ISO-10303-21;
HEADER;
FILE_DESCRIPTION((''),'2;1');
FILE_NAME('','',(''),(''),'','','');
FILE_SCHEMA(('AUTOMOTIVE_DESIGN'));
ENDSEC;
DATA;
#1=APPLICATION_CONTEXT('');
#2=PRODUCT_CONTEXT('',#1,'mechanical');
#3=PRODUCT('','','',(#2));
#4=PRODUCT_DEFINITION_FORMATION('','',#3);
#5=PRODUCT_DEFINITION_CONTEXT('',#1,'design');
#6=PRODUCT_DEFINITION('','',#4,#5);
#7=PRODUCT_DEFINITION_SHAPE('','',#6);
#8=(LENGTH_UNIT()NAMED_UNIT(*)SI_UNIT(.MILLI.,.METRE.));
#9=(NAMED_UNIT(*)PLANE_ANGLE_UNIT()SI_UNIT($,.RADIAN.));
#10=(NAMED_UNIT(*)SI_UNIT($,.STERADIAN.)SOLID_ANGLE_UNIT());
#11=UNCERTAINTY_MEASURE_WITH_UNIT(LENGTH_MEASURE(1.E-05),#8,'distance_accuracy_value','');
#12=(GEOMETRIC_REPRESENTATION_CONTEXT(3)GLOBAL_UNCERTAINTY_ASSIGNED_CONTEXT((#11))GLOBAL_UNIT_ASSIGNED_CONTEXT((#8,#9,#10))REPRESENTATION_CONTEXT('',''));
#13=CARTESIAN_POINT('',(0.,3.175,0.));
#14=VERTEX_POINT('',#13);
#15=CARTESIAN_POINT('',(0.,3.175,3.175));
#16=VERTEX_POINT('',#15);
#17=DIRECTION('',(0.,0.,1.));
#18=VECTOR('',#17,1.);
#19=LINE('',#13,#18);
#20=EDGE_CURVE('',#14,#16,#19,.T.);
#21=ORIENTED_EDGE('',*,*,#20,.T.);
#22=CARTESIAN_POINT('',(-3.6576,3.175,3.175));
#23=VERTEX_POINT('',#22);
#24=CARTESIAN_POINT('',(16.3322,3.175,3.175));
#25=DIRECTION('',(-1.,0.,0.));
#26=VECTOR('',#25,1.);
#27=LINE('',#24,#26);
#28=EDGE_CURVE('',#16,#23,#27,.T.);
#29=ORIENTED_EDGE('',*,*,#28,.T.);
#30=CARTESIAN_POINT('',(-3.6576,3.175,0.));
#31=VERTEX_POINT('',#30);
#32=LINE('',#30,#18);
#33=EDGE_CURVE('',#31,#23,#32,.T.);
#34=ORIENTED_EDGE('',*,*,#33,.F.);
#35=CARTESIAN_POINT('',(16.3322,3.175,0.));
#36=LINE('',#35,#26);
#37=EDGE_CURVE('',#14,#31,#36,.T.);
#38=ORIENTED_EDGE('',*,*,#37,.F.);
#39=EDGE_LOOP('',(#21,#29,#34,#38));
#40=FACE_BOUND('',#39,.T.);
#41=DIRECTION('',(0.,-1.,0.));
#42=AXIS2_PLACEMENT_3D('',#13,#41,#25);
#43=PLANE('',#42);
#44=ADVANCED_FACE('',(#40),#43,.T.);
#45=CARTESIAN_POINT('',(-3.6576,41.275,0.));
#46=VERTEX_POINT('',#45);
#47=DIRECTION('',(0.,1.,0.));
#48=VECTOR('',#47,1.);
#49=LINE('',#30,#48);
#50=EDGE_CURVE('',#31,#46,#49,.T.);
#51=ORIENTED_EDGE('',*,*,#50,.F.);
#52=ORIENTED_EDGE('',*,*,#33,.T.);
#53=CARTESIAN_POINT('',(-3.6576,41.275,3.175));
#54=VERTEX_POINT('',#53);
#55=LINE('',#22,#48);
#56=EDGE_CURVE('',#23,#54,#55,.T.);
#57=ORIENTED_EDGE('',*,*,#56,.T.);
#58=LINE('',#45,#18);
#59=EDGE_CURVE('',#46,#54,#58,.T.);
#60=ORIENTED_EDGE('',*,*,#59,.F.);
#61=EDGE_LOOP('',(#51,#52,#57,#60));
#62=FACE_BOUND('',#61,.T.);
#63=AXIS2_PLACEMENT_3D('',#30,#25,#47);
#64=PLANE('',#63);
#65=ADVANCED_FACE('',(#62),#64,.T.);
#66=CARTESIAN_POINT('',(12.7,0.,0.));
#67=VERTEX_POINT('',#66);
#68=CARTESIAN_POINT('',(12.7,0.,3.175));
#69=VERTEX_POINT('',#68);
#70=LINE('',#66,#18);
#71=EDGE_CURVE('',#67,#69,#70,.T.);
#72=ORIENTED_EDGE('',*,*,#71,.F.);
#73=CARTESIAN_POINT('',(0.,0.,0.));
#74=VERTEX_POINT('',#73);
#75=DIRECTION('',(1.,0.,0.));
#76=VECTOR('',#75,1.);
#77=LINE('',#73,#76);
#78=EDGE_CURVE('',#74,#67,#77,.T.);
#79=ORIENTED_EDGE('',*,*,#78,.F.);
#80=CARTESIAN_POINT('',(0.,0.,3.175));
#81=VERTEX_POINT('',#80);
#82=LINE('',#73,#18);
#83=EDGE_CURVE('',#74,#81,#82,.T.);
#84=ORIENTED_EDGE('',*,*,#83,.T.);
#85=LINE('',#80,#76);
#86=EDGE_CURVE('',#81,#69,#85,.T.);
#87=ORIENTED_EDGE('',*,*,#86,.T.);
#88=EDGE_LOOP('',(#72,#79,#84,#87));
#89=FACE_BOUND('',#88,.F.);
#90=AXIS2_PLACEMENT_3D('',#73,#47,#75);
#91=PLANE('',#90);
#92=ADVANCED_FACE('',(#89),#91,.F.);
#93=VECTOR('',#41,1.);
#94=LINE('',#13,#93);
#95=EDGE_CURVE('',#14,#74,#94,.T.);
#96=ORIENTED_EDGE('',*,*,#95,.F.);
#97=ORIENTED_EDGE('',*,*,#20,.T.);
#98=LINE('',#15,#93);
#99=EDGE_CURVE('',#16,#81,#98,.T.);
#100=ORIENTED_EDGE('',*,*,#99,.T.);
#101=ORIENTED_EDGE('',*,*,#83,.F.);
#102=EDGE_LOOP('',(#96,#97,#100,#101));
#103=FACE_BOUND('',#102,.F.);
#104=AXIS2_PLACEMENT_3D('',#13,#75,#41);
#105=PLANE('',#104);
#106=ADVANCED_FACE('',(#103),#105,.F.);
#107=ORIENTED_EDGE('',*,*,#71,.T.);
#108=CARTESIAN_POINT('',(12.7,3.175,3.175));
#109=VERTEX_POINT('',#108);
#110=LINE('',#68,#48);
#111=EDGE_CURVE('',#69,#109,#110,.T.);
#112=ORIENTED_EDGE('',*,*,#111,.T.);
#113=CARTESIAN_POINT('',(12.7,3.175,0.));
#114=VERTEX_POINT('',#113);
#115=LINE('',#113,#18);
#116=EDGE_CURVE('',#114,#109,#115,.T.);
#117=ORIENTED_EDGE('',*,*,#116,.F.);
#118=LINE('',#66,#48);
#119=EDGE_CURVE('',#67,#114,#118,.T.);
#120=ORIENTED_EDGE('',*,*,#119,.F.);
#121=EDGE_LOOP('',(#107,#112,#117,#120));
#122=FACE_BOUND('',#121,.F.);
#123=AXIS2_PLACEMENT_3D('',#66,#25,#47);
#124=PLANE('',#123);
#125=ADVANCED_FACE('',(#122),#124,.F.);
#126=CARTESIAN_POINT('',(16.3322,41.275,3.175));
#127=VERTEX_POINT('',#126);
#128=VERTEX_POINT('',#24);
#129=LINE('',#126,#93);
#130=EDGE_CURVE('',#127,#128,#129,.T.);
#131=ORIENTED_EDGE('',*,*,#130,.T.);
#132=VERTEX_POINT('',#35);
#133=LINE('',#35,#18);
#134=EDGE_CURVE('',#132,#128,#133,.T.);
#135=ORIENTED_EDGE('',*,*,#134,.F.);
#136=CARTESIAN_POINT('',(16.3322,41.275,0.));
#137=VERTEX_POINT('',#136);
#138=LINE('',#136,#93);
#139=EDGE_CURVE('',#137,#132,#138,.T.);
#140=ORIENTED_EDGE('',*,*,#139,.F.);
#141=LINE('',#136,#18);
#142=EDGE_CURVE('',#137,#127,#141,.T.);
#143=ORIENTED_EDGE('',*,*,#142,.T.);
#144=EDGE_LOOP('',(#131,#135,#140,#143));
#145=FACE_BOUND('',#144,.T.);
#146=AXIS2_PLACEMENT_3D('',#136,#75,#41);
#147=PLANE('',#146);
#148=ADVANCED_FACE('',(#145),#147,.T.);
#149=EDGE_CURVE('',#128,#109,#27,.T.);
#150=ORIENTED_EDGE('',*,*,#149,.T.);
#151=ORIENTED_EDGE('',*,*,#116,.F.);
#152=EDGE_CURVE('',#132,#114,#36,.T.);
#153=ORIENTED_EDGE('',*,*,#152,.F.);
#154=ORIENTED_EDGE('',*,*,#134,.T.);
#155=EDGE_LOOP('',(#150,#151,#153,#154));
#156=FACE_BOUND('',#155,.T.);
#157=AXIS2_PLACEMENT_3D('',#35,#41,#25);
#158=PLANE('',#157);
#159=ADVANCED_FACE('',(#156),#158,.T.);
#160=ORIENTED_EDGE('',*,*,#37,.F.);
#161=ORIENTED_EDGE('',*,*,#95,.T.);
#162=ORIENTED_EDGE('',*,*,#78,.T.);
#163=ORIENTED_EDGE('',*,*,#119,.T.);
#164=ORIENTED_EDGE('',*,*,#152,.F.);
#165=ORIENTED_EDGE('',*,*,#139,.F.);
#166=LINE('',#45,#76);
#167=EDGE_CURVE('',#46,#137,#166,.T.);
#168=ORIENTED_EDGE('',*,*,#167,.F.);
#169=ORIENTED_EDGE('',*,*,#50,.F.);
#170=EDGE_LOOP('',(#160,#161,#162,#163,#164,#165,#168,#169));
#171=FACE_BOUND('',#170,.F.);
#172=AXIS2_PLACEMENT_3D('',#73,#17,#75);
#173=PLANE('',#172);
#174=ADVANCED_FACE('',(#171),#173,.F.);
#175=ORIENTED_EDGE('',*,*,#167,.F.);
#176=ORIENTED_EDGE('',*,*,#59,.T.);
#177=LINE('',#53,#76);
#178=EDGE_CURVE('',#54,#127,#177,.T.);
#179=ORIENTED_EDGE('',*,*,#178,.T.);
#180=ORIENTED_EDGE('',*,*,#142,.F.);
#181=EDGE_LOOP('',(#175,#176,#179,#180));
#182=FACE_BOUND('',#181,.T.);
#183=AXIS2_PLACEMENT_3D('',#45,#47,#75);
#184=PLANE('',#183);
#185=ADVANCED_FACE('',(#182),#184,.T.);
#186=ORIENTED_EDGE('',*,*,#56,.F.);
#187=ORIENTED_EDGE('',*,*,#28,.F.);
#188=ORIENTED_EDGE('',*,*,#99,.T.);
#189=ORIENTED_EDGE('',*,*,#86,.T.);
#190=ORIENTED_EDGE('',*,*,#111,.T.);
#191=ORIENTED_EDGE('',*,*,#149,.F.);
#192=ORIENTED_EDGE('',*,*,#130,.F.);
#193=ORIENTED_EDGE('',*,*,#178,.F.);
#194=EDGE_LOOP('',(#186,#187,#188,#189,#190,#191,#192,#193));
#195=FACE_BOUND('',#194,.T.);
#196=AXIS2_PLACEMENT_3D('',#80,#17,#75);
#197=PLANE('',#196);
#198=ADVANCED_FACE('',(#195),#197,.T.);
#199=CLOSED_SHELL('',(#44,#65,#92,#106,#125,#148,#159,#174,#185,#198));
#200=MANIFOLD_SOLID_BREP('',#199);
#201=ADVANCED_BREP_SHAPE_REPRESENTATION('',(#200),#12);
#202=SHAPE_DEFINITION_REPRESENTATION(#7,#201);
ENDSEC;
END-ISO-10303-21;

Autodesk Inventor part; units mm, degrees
ref_plane "YZ Plane" through (0, 0, 0) normal (1, 0, 0) x (0, 1, 0)
ref_plane "XZ Plane" through (0, 0, 0) normal (0, 1, 0) x (-1, 0, 0)
ref_plane "XY Plane" through (0, 0, 0) normal (0, 0, 1) x (1, 0, 0)
sketch "Sketch1" plane through (0, 0, 0) normal (0, 0, 1) x (1, 0, 0)
  line L0 (0, 0) -> (12.7, 0)
  line L1 (12.7, 0) -> (12.7, 3.175)
  line L2 (12.7, 3.175) -> (0, 3.175)
  line L3 (0, 3.175) -> (0, 0)
  line L4 (-3.6576, 41.275) -> (16.3322, 41.275)
  line L5 (16.3322, 41.275) -> (16.3322, 3.175)
  line L6 (16.3322, 3.175) -> (-3.6576, 3.175)
  line L7 (-3.6576, 3.175) -> (-3.6576, 41.275)
  point P0 (16.3322, 22.225)
  point P1 (-3.6576, 22.225)
  point P2 (12.7, 3.175)
  point P3 (0, 3.175)
  dimension "d0" = 12.7
  dimension "d1" = 3.175
  dimension "d2" = 19.9898
  dimension "d3" = 3.6576
  dimension "d4" = 38.1
extrude "Extrusion1" add sketch "Sketch1" along normal blind 3.175
properties part number "servo short side"
